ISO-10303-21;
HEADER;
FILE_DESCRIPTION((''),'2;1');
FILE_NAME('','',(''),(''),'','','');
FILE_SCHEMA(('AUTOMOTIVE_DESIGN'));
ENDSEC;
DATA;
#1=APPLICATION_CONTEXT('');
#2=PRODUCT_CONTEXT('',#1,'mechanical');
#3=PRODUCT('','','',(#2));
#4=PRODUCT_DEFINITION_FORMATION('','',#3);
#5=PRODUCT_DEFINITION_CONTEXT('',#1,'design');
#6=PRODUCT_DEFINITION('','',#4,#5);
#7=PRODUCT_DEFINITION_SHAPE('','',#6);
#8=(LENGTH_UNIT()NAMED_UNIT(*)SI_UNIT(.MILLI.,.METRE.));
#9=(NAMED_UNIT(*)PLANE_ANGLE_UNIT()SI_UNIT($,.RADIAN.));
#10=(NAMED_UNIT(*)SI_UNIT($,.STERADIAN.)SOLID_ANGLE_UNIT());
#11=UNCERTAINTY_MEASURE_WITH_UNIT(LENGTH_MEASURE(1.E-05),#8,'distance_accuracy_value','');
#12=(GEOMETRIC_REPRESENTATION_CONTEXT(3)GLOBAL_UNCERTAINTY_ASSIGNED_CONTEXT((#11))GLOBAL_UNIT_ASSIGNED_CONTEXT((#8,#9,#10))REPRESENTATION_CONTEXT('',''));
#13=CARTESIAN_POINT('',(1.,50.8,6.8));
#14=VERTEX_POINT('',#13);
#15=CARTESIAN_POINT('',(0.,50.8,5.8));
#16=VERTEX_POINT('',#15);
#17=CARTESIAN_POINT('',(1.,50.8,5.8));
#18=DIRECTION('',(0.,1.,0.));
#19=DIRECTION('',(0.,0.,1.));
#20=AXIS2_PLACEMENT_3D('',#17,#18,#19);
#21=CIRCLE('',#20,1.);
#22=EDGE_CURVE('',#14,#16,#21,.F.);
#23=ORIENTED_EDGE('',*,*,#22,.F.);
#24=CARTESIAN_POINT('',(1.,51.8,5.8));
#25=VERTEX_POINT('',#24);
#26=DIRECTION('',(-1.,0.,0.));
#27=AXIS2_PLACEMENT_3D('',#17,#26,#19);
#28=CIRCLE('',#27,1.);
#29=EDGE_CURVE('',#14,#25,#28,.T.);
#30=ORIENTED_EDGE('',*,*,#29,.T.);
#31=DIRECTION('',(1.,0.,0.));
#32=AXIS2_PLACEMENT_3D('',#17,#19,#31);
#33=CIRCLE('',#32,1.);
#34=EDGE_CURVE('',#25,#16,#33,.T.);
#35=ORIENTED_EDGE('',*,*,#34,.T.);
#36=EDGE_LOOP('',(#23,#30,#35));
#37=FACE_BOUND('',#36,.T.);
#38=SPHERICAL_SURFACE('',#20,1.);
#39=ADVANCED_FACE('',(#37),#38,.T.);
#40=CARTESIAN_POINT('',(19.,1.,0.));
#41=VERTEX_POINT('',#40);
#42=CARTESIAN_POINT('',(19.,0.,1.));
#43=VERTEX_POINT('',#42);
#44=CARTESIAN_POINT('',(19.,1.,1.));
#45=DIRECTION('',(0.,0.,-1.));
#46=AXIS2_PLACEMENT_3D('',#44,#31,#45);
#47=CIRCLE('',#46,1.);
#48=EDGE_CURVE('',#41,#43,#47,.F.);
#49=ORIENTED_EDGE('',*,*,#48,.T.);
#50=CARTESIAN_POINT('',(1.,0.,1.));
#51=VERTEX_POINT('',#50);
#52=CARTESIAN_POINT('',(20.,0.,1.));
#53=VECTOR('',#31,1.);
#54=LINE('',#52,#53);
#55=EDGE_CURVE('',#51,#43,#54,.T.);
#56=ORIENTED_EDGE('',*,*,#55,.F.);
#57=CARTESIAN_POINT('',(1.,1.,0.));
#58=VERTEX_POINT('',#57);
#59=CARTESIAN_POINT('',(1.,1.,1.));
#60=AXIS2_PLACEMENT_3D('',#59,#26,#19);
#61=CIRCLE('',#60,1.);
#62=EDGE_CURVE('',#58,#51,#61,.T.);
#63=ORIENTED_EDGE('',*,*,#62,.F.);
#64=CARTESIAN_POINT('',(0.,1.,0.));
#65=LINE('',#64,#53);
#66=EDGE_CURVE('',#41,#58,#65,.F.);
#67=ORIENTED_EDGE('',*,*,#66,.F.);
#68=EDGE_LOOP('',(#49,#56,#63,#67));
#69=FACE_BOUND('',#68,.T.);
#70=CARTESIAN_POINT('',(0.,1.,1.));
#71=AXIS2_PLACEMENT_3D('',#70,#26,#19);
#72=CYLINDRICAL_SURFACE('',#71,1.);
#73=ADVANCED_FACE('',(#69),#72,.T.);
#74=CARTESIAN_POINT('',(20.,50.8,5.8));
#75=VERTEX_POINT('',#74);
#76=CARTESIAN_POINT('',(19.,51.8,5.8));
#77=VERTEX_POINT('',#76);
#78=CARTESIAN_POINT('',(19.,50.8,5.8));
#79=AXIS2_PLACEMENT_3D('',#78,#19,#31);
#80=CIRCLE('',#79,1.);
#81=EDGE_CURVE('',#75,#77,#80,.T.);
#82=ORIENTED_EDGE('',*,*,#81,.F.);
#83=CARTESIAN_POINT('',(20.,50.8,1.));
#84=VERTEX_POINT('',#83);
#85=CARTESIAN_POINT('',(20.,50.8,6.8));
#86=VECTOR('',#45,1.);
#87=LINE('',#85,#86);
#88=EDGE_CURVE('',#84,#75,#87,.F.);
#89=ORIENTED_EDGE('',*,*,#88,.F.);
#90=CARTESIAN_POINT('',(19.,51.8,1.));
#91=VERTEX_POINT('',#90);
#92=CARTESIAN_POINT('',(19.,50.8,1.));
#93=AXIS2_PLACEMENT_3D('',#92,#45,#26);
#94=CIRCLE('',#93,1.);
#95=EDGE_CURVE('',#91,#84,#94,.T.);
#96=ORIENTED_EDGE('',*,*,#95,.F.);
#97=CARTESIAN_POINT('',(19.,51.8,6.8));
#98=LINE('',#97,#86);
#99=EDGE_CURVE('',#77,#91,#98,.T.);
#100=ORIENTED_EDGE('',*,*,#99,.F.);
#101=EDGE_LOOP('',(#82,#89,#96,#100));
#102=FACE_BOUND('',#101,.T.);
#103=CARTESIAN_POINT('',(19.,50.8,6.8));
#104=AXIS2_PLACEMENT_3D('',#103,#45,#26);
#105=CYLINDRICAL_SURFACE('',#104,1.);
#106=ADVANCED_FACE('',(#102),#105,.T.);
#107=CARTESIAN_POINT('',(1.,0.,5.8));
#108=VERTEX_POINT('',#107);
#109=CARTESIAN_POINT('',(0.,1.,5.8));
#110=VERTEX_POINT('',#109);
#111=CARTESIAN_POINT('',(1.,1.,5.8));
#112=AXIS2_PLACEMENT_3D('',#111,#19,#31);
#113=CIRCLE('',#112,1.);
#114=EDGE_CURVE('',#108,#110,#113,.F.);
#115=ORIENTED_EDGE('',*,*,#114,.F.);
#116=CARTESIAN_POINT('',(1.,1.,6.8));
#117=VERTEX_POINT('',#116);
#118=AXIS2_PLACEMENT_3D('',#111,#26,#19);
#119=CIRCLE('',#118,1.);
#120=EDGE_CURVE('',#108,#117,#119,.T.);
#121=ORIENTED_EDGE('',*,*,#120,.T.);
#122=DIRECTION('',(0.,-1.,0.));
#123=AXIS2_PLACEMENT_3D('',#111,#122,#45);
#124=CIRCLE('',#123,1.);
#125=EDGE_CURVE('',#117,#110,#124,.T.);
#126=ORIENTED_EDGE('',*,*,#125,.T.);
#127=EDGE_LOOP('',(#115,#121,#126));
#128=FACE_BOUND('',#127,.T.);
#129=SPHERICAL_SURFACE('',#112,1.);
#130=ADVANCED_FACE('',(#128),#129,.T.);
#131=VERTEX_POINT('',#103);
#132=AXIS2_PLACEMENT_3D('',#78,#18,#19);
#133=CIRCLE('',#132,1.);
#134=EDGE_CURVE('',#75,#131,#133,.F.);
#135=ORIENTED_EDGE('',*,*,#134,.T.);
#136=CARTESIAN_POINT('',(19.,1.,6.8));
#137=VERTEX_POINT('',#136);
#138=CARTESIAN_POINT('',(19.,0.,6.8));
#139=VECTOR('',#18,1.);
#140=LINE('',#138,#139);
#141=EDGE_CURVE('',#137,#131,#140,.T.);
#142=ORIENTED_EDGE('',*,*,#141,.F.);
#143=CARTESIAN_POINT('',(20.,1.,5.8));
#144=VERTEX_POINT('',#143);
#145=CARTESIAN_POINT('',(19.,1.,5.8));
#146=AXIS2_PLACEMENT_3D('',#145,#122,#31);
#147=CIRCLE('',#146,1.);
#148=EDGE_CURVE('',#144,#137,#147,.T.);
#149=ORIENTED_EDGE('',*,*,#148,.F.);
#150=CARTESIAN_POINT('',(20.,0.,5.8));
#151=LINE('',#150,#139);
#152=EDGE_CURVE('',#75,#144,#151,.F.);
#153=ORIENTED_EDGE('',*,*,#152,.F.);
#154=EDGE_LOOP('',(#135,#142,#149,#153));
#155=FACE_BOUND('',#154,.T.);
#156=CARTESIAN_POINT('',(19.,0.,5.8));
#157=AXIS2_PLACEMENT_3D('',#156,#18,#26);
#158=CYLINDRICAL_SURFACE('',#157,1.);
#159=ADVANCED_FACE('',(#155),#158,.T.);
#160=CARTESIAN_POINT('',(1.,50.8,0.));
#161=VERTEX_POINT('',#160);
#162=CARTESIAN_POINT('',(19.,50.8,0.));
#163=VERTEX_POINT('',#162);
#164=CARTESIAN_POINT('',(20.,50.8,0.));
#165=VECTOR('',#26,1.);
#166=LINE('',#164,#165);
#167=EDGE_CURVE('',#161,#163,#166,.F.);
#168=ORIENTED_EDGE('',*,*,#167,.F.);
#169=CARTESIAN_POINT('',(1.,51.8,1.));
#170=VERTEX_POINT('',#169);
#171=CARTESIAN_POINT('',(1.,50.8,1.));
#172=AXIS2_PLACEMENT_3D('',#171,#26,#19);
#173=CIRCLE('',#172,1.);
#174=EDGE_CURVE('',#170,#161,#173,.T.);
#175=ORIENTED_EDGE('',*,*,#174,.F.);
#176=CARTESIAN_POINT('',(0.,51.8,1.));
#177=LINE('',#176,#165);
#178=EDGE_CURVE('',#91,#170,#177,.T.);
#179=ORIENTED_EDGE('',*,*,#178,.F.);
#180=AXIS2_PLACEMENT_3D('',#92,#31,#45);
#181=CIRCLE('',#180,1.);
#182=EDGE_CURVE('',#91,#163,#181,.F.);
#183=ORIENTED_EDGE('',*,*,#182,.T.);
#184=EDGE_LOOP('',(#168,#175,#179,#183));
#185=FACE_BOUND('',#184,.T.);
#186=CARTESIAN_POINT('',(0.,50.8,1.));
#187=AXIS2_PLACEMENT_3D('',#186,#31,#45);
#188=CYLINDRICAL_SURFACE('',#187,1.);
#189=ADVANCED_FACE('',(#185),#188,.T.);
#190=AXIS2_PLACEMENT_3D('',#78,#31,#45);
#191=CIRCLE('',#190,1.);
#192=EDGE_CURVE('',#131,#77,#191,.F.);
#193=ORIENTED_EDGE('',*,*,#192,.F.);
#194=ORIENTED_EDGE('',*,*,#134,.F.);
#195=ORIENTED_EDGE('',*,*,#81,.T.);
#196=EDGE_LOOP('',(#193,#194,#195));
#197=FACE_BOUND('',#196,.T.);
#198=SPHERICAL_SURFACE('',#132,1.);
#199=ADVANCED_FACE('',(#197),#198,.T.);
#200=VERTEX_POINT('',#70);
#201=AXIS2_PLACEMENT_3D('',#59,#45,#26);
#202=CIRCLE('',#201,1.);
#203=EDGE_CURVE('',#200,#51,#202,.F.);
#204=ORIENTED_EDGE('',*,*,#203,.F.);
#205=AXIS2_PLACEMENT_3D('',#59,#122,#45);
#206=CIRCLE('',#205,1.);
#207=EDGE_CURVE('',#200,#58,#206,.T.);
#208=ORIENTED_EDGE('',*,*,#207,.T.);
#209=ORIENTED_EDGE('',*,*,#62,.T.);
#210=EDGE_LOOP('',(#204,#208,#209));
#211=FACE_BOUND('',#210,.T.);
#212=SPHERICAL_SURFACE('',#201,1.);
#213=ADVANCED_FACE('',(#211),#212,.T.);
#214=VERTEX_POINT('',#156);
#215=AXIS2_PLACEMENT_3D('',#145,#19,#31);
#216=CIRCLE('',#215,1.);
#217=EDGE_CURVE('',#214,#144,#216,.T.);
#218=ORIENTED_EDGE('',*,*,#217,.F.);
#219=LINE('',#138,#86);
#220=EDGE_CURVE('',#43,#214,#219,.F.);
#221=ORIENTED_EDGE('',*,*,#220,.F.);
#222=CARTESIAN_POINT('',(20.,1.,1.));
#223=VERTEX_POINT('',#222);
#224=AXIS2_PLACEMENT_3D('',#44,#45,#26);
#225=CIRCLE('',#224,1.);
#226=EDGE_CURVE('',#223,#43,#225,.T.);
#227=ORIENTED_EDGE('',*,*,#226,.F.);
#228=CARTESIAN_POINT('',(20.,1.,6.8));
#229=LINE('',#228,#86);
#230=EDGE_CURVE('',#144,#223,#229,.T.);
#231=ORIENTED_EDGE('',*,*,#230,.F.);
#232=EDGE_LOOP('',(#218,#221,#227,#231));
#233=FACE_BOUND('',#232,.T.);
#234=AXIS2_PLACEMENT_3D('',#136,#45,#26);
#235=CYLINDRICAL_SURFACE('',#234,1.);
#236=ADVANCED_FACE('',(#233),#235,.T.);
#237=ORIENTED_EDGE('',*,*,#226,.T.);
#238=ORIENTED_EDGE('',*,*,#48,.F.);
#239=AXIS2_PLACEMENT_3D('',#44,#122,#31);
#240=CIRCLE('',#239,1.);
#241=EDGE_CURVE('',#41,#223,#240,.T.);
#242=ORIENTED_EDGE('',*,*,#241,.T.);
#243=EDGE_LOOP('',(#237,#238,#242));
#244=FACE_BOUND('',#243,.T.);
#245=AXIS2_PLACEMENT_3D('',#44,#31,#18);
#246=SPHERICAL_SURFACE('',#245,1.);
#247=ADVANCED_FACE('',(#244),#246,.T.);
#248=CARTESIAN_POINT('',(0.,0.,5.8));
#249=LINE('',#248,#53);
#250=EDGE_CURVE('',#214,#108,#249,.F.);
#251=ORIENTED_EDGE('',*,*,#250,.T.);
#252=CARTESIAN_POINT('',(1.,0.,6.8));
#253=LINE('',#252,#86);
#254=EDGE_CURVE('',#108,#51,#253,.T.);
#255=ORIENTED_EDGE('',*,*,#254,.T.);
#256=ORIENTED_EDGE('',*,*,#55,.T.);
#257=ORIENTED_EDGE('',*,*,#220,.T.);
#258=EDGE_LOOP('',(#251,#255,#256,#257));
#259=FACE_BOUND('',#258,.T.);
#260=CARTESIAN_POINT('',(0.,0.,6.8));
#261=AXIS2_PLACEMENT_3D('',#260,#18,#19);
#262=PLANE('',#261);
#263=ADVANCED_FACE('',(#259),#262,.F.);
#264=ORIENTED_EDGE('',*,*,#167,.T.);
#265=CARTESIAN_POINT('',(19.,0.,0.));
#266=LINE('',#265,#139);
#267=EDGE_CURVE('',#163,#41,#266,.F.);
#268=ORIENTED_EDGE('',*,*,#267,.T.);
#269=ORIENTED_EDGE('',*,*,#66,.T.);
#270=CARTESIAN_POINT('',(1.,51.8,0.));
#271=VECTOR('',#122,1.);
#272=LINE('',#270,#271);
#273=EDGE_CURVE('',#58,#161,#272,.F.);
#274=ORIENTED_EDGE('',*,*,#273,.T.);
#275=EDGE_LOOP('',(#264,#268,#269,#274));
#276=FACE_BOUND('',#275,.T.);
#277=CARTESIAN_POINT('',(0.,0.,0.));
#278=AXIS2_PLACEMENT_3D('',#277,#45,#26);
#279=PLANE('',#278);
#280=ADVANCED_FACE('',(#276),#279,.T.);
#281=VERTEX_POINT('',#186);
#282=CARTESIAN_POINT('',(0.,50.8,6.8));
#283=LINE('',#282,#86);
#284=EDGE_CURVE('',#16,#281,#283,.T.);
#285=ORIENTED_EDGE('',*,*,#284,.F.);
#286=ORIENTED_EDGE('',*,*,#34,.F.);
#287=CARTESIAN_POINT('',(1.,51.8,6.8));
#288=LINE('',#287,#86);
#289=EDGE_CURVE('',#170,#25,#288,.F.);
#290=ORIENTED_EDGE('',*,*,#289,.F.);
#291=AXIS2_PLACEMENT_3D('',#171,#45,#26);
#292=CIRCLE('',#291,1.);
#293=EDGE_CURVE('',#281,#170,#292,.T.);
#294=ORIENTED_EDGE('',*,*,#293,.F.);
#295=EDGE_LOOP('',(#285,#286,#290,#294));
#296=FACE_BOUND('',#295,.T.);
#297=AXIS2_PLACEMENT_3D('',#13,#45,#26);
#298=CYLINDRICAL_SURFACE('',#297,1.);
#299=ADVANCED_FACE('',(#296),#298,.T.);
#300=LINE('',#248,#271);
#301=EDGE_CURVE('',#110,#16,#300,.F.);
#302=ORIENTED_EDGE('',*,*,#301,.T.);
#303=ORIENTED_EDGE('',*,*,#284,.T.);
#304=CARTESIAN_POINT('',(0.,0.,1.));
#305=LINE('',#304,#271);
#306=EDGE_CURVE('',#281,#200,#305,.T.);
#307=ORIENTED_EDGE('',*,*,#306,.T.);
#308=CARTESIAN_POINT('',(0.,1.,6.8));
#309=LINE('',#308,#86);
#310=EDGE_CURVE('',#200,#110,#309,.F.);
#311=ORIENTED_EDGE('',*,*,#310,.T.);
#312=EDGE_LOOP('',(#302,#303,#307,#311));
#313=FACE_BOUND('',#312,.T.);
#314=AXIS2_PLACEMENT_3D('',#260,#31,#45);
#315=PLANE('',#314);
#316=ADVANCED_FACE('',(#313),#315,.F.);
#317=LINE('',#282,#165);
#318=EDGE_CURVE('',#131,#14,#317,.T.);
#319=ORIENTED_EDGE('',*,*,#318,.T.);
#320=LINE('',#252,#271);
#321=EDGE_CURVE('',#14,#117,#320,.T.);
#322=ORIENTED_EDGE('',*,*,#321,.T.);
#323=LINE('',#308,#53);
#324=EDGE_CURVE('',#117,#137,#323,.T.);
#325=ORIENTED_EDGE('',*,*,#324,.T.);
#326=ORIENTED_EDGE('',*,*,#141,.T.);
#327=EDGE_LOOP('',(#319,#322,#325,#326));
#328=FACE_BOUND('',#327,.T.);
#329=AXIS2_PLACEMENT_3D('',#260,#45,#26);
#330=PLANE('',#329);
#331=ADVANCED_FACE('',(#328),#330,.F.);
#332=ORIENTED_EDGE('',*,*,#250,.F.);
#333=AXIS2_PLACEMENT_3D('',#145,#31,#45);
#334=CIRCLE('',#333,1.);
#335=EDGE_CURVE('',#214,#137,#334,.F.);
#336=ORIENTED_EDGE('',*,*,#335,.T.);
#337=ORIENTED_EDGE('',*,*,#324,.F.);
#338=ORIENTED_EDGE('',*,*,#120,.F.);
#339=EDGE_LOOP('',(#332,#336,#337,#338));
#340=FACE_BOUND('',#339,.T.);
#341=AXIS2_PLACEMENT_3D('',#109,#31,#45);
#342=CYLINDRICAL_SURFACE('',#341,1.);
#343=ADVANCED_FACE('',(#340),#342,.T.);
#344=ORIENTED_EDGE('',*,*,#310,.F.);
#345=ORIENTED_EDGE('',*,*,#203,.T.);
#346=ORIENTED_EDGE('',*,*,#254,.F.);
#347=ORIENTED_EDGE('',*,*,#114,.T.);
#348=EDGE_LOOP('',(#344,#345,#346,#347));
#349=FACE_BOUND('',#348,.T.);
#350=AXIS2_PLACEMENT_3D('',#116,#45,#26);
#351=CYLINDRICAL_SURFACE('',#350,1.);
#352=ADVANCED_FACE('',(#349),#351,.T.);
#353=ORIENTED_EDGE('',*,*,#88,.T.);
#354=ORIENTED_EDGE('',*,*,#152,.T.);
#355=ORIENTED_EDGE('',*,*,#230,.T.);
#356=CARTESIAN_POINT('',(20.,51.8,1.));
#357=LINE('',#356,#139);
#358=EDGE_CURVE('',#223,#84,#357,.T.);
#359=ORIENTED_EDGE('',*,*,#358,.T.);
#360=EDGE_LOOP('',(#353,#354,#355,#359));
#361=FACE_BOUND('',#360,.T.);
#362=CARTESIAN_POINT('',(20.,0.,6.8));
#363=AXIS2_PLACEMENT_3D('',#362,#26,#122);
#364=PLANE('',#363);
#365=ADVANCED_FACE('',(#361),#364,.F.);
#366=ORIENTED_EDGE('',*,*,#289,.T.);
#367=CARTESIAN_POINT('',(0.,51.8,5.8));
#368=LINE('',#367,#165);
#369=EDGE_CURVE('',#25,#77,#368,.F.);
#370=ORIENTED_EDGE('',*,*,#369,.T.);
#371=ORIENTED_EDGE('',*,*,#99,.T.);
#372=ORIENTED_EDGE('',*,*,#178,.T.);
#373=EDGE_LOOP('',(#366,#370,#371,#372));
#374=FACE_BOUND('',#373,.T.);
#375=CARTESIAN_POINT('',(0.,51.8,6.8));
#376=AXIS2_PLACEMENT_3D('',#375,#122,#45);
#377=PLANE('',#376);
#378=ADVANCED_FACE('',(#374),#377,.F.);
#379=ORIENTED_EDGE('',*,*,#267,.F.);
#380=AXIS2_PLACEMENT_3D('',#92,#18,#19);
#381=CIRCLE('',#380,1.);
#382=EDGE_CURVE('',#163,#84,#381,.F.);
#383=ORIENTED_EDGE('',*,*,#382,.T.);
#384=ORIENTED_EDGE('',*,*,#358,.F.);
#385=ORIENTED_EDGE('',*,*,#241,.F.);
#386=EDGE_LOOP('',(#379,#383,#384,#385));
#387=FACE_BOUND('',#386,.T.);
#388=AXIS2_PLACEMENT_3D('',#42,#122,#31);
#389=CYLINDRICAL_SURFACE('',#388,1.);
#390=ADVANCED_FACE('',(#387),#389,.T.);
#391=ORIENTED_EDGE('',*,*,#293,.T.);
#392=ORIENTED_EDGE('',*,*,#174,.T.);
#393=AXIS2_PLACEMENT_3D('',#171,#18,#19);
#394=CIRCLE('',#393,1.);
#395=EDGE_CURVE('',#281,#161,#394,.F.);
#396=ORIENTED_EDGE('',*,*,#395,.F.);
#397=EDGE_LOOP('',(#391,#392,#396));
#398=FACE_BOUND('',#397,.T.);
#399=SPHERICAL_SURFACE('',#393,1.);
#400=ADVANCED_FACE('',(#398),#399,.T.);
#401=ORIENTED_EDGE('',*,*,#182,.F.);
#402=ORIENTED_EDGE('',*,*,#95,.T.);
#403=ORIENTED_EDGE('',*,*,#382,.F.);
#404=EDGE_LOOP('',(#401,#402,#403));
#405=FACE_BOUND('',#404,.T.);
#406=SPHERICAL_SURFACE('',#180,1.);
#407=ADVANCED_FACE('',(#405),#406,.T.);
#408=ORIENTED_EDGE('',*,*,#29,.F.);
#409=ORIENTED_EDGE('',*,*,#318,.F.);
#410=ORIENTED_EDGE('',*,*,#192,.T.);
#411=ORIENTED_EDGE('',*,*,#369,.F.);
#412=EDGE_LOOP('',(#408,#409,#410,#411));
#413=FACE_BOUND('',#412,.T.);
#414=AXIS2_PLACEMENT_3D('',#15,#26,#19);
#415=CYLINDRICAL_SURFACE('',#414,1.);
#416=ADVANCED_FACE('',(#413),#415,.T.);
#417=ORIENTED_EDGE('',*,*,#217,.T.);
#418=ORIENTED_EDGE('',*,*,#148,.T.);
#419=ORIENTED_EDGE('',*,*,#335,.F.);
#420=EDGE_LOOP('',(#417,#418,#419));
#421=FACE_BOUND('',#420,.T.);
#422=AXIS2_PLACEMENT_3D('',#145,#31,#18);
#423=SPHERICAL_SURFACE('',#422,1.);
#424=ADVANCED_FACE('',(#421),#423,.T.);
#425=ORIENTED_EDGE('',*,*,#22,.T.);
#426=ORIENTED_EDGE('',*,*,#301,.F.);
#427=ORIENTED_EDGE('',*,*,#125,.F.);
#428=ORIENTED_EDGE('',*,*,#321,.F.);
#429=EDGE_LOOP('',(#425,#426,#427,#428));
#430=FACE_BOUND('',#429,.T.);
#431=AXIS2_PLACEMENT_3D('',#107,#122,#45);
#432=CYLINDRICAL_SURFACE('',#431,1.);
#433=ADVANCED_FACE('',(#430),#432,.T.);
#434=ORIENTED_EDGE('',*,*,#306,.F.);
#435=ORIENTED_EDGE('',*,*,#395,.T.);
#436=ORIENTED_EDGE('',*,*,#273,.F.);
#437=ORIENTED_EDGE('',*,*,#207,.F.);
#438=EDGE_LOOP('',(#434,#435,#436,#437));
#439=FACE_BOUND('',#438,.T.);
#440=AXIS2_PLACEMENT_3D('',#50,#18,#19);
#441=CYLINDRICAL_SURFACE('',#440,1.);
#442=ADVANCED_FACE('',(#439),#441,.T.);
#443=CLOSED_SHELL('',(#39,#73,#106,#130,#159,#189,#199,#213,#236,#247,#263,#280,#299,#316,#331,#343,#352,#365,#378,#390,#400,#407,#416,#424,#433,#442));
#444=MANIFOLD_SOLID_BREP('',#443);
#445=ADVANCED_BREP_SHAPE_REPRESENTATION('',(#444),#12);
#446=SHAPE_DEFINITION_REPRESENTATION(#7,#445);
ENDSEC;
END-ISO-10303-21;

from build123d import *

# Parameters (mm, degrees)
SKETCH_1_W      = 20
SKETCH_1_H      = 51.8
EXTRUDE_1_DEPTH = 6.8
FILLET_1_R      = 1


with BuildPart() as part:
    # Эскиз1 → Бобышка-Вытянуть1 (new body)
    with BuildSketch(Plane.XY):
        with Locations((10, 25.9)):
            Rectangle(SKETCH_1_W, SKETCH_1_H)
    extrude(amount=EXTRUDE_1_DEPTH)

    # Скругление1
    fillet_1_edges = [part.edges().sort_by_distance(p)[0] for p in [
        (20, 25.9, 6.8),
        (10, 51.8, 6.8),
        (0, 25.9, 6.8),
        (10, 51.8, 0),
        (20, 25.9, 0),
        (10, 0, 0),
        (0, 25.9, 0),
        (0, 51.8, 3.4),
        (20, 51.8, 3.4),
        (20, 0, 3.4),
        (0, 0, 3.4),
        (10, 0, 6.8),
    ]]
    fillet(fillet_1_edges, radius=FILLET_1_R)


solid = part.part
